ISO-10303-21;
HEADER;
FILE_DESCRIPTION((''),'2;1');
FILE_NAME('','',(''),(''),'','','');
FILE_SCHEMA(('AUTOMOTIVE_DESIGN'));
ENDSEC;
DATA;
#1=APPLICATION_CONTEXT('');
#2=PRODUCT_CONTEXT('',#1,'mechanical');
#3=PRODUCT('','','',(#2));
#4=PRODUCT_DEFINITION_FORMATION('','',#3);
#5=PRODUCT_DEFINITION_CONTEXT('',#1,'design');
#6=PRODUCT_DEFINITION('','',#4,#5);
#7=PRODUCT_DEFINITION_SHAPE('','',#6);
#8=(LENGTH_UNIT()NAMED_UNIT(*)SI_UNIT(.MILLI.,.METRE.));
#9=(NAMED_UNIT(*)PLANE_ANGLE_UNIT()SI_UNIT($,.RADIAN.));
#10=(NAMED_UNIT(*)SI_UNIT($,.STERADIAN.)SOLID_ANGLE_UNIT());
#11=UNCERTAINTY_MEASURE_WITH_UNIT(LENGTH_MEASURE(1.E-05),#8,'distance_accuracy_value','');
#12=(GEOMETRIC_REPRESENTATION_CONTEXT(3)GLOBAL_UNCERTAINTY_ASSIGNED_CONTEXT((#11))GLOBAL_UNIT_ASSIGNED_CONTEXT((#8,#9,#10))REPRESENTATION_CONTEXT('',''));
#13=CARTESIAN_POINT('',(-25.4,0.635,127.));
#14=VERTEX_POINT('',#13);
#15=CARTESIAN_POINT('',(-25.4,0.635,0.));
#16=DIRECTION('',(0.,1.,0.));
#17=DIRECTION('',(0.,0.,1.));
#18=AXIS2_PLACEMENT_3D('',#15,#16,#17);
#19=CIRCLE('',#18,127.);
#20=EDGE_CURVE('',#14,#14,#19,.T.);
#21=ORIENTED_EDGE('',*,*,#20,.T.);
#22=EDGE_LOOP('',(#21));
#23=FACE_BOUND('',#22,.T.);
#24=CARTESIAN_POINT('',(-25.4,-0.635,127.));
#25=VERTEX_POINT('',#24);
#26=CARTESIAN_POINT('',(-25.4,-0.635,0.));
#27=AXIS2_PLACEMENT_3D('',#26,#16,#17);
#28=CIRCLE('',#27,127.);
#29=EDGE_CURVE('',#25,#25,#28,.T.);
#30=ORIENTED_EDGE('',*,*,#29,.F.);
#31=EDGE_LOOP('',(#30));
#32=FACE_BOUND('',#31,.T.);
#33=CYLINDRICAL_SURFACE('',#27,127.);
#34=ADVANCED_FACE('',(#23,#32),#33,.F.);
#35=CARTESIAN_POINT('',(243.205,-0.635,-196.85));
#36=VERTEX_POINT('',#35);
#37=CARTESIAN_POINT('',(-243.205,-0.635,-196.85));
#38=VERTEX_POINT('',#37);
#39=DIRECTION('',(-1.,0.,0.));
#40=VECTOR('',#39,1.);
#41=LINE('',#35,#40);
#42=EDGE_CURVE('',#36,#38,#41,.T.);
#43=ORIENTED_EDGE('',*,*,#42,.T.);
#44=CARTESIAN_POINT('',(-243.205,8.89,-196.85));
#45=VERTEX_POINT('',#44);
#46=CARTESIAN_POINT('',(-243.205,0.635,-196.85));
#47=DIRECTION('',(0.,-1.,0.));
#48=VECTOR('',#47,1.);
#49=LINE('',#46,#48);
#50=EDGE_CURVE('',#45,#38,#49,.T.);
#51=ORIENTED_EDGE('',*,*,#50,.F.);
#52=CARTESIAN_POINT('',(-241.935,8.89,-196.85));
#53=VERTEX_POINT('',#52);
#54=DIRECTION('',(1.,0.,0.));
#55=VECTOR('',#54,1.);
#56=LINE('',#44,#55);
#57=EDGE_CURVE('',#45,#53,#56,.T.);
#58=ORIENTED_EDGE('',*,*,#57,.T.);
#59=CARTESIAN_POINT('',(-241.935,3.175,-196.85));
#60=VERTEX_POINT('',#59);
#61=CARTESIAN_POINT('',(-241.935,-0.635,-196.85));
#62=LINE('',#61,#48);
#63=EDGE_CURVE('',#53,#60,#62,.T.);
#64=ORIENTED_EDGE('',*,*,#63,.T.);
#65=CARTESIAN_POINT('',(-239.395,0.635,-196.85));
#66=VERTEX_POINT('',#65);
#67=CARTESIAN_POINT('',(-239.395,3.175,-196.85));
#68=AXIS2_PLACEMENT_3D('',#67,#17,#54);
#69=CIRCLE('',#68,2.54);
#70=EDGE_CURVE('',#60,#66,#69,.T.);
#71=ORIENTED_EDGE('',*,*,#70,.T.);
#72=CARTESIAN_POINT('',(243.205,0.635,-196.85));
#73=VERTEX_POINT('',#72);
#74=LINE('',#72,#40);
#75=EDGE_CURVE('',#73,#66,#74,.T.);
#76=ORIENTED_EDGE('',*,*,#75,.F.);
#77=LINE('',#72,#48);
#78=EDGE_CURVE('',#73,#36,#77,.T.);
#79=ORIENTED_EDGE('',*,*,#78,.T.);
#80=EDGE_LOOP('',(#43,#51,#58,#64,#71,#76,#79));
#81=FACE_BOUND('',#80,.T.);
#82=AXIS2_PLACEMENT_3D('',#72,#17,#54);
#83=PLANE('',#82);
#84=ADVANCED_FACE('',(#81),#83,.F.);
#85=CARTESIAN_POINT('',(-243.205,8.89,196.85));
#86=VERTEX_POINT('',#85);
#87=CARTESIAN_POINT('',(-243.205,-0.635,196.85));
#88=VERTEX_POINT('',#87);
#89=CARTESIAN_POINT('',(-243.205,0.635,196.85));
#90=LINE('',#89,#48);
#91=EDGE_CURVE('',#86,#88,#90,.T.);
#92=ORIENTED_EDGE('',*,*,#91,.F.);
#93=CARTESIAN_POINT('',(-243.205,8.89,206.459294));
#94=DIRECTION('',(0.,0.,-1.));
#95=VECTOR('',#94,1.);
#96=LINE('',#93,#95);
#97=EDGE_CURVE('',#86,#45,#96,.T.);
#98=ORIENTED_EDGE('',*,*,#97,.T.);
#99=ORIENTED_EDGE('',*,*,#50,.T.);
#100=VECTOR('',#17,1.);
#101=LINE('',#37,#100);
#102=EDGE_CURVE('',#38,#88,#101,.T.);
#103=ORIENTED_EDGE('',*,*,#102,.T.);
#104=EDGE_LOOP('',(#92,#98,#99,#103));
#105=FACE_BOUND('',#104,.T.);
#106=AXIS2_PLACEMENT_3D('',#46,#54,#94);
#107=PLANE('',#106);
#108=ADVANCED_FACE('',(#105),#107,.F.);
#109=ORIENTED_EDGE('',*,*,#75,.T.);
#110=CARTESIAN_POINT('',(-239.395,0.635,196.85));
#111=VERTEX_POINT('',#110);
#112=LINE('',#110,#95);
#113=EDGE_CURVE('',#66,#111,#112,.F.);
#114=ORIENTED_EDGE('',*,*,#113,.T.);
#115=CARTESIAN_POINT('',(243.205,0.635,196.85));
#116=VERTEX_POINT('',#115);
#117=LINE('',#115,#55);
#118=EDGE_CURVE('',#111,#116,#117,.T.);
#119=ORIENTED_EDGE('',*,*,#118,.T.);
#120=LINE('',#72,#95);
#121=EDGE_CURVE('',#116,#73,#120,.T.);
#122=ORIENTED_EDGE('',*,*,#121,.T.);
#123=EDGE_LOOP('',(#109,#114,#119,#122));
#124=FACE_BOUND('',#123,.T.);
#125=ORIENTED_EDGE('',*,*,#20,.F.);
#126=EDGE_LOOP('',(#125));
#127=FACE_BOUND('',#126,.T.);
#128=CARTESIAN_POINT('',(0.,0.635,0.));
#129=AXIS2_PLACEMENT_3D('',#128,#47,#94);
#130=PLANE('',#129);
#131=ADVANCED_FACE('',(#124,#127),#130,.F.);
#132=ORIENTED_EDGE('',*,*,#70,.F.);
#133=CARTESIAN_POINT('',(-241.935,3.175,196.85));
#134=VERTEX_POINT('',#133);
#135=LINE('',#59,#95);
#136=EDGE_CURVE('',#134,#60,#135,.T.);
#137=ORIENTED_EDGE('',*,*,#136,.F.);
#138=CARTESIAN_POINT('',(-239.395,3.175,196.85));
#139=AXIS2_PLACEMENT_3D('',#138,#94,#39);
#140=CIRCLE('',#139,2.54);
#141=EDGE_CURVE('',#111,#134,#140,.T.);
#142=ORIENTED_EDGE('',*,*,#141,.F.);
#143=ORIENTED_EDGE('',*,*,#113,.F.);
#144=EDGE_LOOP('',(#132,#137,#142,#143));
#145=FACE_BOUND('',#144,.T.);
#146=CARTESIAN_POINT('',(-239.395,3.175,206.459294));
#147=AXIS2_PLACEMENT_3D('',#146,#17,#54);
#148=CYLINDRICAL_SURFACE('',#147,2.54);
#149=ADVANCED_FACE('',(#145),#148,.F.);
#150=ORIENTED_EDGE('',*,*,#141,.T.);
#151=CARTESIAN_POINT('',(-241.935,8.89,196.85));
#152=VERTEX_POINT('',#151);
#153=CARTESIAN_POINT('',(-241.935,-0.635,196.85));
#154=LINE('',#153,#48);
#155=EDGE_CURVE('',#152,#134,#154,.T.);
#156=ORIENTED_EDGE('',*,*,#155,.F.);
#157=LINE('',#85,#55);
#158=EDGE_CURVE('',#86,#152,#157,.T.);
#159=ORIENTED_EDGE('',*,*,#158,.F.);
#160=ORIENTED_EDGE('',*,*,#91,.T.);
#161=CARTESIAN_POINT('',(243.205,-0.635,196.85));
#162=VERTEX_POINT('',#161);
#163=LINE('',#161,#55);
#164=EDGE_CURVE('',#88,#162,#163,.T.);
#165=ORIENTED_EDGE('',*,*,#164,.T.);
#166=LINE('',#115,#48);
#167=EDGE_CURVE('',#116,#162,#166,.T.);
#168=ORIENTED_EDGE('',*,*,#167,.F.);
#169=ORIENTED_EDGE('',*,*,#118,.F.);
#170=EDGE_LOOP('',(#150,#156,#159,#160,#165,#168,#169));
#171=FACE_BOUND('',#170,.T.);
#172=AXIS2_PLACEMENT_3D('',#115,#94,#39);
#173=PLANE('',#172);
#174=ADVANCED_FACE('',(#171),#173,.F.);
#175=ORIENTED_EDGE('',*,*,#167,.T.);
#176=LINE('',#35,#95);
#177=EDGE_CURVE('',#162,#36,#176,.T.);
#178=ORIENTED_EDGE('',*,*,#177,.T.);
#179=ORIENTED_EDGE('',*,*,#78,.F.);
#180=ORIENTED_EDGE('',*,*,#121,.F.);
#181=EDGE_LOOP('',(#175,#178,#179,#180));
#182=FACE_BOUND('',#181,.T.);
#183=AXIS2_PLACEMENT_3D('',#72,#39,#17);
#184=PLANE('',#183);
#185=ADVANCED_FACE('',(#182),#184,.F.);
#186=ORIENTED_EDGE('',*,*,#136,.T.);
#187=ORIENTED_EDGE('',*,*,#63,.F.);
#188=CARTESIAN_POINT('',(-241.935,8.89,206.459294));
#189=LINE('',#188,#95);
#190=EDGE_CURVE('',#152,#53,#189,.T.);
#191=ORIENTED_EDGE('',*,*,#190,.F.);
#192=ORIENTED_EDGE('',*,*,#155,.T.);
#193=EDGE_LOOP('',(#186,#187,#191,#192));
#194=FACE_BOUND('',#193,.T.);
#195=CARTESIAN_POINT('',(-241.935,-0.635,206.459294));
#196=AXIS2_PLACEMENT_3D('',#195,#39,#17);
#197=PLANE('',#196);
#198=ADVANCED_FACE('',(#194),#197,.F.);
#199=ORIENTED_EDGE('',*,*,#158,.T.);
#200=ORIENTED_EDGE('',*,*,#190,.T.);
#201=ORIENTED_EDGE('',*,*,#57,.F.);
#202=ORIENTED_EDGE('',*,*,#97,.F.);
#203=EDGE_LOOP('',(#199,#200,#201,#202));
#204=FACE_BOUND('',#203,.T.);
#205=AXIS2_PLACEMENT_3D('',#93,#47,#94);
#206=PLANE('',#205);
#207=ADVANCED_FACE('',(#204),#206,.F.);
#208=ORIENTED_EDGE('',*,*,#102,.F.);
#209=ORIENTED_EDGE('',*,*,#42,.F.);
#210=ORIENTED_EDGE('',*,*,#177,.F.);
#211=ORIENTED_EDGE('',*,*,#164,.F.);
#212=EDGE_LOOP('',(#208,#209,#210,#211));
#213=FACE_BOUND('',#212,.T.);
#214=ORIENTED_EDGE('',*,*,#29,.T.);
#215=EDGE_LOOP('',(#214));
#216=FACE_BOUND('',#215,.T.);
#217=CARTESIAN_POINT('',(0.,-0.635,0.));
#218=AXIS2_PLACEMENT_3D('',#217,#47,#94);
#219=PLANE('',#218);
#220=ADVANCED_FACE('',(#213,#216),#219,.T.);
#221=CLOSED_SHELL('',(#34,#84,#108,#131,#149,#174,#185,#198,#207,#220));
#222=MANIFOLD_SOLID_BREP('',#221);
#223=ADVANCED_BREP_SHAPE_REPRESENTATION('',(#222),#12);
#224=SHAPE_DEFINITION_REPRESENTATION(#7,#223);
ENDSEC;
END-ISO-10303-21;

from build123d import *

# Parameters (mm, degrees)
SKETCH1_W                       = 486.41
SKETCH1_H                       = 393.7
BOSS_EXTRUDE1_DEPTH             = 0.635
SKETCH2_R                       = 127
CUT_EXTRUDE1_DEPTH              = 313.89008841
BOSS_EXTRUDE2_REACH             = 314.888
SKETCH6_W                       = 1.27
SKETCH6_H                       = 9.525
BOSS_EXTRUDE2_DIRECTION_2_REACH = 314.888
FILLET1_R                       = 2.54


with BuildPart() as part:
    # Sketch1 → Boss-Extrude1 (new, symmetric)
    with BuildSketch(Plane(origin=(0, 0, 0), x_dir=(1, 0, 0), z_dir=(0, 1, 0))):
        Rectangle(SKETCH1_W, SKETCH1_H)
    extrude(amount=BOSS_EXTRUDE1_DEPTH, both=True)

    # Sketch2 → Cut-Extrude1 (cut, through all)
    with BuildSketch(Plane(origin=(0, 0.635, 0), x_dir=(1, 0, 0), z_dir=(0, 1, 0))):
        with Locations(Location((-25.4, 0, 0), (0, 0, 270))):
            Circle(SKETCH2_R)
    extrude(amount=-CUT_EXTRUDE1_DEPTH, mode=Mode.SUBTRACT)

    # Boss-Extrude2: up to this face of the body (flat: up to its plane)
    boss_extrude2_end = Plane(part.part.faces().sort_by_distance((0, 0, 196.85))[0])
    # Sketch6 → Boss-Extrude2 (add, up to the picked face)
    with BuildSketch(Plane.XY, mode=Mode.PRIVATE) as boss_extrude2_sk1:
        with Locations((-242.57, 4.1275)):
            Rectangle(SKETCH6_W, SKETCH6_H)
    boss_extrude2_tool1 = split(extrude(boss_extrude2_sk1.sketch, amount=BOSS_EXTRUDE2_REACH, mode=Mode.PRIVATE), bisect_by=boss_extrude2_end, keep=Keep.BOTH, mode=Mode.PRIVATE)
    add(boss_extrude2_tool1.solids().sort_by(Axis((-242.57, 4.1275, 0), (0, 0, 1)))[0])

    # Boss-Extrude2 direction 2: up to this face of the body (flat: up to its plane)
    boss_extrude2_direction_2_end = Plane(part.part.faces().sort_by_distance((0, 0, -196.85))[0])
    # Sketch6 → Boss-Extrude2 direction 2 (add, up to the picked face)
    with BuildSketch(Plane.XY, mode=Mode.PRIVATE) as boss_extrude2_direction_2_sk1:
        with Locations((-242.57, 4.1275)):
            Rectangle(SKETCH6_W, SKETCH6_H)
    boss_extrude2_direction_2_tool1 = split(extrude(boss_extrude2_direction_2_sk1.sketch, amount=-BOSS_EXTRUDE2_DIRECTION_2_REACH, mode=Mode.PRIVATE), bisect_by=boss_extrude2_direction_2_end, keep=Keep.BOTH, mode=Mode.PRIVATE)
    add(boss_extrude2_direction_2_tool1.solids().sort_by(Axis((-242.57, 4.1275, 0), (0, 0, -1)))[0])

    # Fillet1
    fillet1_edges = [part.edges().sort_by_distance(p)[0] for p in [
        (-241.935, 0.635, 0),
    ]]
    fillet(fillet1_edges, radius=FILLET1_R)


solid = part.part
